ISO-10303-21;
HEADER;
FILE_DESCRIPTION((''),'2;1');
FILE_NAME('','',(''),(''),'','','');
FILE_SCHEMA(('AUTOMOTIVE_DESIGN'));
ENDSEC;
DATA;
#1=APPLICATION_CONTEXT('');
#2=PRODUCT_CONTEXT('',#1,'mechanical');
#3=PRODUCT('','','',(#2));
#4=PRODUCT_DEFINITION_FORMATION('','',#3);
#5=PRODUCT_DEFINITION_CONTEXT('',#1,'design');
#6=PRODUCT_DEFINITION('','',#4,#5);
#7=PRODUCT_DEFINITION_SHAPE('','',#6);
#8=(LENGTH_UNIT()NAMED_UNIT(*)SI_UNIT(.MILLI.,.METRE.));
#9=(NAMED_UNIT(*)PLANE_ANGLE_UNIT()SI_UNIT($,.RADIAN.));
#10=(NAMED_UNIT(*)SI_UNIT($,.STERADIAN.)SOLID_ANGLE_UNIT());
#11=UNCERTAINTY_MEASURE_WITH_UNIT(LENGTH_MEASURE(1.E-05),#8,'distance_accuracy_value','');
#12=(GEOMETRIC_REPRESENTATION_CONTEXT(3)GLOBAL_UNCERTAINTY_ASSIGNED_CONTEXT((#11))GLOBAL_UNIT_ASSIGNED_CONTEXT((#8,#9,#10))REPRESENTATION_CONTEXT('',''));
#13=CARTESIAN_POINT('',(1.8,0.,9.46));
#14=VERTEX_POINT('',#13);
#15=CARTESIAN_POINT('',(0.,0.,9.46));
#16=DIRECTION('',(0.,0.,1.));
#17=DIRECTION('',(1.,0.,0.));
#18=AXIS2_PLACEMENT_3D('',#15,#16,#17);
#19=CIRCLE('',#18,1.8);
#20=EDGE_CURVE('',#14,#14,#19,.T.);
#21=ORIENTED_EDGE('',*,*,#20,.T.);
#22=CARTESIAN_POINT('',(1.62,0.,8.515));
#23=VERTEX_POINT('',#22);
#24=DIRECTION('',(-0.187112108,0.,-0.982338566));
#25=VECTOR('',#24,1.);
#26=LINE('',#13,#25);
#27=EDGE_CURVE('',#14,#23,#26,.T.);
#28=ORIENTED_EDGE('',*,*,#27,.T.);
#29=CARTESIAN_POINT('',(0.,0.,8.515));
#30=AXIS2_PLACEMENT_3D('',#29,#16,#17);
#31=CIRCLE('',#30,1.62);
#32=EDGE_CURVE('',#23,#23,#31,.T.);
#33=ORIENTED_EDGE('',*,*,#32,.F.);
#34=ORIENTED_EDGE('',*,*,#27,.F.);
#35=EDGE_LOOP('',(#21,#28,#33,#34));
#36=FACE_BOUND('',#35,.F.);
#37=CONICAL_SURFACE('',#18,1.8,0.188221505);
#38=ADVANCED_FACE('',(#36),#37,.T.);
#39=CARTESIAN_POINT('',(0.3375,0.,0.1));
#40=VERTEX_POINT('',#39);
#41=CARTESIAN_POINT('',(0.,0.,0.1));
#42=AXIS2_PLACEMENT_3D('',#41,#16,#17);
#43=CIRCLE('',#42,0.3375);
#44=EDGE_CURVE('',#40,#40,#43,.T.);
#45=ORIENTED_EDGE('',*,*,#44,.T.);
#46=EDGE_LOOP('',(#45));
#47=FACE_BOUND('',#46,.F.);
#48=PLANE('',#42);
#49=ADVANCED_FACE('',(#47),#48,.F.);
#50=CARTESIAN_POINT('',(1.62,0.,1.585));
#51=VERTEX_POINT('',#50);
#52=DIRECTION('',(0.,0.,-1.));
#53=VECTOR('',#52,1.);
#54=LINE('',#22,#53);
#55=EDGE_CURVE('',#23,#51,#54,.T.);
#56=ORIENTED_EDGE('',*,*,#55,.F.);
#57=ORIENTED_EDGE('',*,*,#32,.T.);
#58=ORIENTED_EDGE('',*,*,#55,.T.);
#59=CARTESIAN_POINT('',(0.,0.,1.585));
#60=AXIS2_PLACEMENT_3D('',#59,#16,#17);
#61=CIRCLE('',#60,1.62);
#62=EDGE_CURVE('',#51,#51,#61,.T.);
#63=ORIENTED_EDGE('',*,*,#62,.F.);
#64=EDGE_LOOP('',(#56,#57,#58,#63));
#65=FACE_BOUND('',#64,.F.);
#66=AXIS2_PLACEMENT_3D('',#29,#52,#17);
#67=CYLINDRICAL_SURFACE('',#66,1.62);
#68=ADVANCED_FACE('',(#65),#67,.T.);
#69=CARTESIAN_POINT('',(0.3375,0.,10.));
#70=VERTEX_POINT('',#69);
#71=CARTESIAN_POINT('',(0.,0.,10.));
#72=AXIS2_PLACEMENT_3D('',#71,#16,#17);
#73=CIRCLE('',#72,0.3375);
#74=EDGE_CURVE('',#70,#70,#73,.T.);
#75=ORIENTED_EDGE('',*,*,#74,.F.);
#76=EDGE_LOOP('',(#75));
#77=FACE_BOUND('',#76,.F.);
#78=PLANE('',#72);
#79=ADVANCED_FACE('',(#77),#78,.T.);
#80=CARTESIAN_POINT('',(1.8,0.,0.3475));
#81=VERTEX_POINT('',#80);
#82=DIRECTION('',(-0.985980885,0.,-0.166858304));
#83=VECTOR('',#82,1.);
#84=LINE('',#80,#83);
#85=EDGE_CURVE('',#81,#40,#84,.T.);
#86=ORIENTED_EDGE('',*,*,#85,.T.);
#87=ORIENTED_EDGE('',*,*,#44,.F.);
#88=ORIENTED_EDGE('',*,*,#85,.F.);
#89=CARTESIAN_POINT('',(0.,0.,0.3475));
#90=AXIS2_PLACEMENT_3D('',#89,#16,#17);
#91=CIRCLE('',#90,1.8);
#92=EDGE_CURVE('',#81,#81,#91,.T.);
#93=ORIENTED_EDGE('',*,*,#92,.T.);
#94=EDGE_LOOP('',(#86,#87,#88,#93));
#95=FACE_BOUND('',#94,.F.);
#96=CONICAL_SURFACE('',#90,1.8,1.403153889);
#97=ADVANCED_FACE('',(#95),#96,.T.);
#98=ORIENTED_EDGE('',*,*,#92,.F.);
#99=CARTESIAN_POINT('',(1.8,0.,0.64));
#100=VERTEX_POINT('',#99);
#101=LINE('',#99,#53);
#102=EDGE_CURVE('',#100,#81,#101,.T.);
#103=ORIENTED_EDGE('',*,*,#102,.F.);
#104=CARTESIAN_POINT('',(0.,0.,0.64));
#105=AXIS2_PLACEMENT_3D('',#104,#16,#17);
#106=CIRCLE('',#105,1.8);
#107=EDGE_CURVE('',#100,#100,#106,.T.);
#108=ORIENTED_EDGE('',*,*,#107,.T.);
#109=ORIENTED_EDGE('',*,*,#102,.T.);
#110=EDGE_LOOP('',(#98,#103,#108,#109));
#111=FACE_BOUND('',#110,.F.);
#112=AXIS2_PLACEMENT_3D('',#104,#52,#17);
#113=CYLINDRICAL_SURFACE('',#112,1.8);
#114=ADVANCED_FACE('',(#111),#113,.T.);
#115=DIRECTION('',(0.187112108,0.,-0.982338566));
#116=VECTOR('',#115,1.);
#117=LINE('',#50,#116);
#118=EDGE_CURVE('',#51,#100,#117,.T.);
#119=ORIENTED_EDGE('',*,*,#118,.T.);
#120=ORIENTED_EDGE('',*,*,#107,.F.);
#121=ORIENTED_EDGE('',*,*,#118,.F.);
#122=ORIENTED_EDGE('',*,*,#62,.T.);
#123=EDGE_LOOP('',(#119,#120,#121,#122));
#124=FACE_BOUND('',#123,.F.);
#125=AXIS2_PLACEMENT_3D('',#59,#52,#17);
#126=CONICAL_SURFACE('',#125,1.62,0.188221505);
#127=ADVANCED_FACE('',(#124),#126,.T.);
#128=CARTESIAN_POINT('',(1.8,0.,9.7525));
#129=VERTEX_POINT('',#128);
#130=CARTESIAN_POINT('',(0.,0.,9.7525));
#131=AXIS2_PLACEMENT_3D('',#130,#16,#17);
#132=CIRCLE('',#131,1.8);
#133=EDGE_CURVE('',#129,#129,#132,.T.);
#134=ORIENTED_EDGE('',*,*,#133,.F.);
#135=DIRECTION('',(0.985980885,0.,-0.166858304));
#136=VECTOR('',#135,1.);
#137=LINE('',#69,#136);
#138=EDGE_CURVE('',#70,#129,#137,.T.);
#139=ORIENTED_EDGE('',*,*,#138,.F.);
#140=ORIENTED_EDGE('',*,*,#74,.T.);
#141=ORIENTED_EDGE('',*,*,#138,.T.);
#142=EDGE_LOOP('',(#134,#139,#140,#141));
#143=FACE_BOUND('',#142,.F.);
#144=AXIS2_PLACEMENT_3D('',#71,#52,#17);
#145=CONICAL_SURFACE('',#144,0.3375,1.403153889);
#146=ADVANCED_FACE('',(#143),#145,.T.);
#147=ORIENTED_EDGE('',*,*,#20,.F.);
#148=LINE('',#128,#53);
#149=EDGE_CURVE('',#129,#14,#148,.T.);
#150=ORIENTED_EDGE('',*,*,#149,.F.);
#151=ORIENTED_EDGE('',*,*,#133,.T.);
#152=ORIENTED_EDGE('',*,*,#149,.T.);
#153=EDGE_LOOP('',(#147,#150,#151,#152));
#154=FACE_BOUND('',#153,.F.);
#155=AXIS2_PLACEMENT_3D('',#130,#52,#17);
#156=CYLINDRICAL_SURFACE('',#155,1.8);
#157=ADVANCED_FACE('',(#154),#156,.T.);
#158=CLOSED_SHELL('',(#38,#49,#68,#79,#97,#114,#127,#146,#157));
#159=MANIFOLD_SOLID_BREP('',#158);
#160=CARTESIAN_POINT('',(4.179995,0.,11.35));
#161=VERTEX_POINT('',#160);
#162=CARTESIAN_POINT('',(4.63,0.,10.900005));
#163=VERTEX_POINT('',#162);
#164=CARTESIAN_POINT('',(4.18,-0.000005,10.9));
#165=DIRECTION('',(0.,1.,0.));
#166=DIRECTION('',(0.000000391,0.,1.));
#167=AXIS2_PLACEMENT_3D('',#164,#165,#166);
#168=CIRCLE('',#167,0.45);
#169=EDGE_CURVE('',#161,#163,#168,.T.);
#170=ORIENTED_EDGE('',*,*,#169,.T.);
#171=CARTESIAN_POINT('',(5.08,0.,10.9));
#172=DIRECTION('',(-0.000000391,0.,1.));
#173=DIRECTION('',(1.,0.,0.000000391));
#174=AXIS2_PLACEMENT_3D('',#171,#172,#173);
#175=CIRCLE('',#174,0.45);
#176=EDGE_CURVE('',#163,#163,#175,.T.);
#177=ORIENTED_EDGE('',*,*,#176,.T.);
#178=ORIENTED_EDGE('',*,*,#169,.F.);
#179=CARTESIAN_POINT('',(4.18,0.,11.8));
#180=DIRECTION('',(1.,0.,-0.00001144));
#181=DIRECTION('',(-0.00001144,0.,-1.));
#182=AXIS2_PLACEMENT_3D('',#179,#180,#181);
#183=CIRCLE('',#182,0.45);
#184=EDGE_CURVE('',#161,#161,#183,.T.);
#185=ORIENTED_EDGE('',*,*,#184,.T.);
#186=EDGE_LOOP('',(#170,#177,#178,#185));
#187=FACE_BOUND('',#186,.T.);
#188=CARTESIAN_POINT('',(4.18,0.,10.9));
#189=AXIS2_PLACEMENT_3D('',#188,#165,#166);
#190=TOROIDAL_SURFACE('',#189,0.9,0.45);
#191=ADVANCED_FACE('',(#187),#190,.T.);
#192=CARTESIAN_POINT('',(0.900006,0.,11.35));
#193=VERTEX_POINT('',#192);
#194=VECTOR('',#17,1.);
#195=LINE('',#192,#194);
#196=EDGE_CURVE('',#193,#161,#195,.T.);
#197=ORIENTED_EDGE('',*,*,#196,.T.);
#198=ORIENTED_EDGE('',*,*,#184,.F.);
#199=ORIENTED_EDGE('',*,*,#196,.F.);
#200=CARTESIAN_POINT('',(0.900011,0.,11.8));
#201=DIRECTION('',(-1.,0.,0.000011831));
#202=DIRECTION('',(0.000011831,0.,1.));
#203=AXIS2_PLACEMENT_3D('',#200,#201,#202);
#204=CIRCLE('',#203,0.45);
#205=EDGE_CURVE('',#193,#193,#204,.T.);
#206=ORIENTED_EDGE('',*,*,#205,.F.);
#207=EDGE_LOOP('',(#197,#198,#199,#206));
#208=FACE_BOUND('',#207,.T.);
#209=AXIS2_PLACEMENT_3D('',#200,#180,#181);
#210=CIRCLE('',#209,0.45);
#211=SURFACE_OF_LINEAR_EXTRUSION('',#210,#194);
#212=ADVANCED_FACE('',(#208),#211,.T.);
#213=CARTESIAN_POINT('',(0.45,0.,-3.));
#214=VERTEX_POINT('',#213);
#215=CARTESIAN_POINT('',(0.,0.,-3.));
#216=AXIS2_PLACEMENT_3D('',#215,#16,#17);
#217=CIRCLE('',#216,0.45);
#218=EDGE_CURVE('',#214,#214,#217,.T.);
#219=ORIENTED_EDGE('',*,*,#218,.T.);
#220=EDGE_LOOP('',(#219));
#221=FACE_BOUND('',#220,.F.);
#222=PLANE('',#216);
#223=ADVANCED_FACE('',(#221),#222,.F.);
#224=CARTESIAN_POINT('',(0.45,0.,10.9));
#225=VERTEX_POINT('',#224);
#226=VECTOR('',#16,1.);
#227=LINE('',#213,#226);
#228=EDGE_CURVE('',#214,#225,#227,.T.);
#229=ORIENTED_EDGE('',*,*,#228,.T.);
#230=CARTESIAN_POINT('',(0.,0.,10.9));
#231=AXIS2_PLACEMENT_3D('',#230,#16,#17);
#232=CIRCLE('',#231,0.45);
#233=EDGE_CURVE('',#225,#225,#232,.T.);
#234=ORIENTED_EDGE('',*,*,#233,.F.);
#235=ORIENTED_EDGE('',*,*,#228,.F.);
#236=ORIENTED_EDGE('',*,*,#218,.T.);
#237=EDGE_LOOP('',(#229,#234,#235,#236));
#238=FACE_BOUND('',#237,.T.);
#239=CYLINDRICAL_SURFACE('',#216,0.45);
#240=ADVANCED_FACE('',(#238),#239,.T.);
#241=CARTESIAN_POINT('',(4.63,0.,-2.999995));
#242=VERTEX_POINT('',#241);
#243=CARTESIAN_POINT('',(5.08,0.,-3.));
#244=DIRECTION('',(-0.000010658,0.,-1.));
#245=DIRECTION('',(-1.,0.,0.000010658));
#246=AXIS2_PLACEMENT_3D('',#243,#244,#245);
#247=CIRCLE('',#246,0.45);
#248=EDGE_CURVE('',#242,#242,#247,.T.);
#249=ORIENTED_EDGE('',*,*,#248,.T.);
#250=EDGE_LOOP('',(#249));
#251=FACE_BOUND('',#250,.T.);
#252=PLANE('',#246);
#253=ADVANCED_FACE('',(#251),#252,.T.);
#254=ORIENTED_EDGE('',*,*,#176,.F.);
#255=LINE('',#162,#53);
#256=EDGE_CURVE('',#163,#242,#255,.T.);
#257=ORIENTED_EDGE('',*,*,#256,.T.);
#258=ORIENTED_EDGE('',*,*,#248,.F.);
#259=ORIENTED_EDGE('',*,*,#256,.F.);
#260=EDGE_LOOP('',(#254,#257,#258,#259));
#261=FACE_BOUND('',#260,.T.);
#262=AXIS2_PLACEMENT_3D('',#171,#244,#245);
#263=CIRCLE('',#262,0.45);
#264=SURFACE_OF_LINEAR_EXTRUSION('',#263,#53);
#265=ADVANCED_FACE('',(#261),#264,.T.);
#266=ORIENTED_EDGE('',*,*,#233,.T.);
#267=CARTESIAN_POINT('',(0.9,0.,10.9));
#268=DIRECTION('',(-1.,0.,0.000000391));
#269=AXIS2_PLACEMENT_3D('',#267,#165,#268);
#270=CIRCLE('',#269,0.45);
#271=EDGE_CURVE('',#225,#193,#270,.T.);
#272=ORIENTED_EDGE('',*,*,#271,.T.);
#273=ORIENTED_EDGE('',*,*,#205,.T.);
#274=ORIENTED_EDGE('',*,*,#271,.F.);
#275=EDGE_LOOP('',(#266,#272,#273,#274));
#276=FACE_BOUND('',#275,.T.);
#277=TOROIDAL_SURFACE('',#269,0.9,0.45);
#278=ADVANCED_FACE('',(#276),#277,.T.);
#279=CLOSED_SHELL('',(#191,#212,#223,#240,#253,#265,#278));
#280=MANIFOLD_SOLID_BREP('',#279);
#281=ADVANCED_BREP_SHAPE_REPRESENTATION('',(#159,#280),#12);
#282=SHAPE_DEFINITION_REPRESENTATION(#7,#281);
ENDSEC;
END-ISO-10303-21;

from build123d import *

# Parameters (mm, degrees)
SKETCH_R = 0.45


with BuildPart() as sweep_body:
    # Sweep: sweep along a path in Sketch001
    with BuildLine(Plane.XZ) as sweep_path:
        Line((0, -3), (0, 10.9))
        ThreePointArc((0, 10.9), (0.263608, 11.5364), (0.900011, 11.8))
        Line((0.900011, 11.8), (4.18, 11.8))
        ThreePointArc((4.18, 11.8), (4.816396, 11.536396), (5.08, 10.9))
        Line((5.08, 10.9), (5.08, -3))
    # Sketch → Sweep (sweep)
    with BuildSketch(Plane.XY.offset(-2)):
        Circle(SKETCH_R)
    sweep(path=sweep_path.line)


with BuildPart() as revolution:
    # Sketch002 → Revolution (revolve)
    with BuildSketch(Plane.XZ):
        Polygon((0, 0.1), (0, 10), (0.3375, 10), (1.8, 9.7525), (1.8, 9.46), (1.62, 8.515), (1.62, 1.585), (1.8, 0.64), (1.8, 0.3475), (0.3375, 0.1), align=None)
    revolve(axis=Axis((0, 0, 0), (0, 0, 1)))


solid = Compound([sweep_body.part, revolution.part])
